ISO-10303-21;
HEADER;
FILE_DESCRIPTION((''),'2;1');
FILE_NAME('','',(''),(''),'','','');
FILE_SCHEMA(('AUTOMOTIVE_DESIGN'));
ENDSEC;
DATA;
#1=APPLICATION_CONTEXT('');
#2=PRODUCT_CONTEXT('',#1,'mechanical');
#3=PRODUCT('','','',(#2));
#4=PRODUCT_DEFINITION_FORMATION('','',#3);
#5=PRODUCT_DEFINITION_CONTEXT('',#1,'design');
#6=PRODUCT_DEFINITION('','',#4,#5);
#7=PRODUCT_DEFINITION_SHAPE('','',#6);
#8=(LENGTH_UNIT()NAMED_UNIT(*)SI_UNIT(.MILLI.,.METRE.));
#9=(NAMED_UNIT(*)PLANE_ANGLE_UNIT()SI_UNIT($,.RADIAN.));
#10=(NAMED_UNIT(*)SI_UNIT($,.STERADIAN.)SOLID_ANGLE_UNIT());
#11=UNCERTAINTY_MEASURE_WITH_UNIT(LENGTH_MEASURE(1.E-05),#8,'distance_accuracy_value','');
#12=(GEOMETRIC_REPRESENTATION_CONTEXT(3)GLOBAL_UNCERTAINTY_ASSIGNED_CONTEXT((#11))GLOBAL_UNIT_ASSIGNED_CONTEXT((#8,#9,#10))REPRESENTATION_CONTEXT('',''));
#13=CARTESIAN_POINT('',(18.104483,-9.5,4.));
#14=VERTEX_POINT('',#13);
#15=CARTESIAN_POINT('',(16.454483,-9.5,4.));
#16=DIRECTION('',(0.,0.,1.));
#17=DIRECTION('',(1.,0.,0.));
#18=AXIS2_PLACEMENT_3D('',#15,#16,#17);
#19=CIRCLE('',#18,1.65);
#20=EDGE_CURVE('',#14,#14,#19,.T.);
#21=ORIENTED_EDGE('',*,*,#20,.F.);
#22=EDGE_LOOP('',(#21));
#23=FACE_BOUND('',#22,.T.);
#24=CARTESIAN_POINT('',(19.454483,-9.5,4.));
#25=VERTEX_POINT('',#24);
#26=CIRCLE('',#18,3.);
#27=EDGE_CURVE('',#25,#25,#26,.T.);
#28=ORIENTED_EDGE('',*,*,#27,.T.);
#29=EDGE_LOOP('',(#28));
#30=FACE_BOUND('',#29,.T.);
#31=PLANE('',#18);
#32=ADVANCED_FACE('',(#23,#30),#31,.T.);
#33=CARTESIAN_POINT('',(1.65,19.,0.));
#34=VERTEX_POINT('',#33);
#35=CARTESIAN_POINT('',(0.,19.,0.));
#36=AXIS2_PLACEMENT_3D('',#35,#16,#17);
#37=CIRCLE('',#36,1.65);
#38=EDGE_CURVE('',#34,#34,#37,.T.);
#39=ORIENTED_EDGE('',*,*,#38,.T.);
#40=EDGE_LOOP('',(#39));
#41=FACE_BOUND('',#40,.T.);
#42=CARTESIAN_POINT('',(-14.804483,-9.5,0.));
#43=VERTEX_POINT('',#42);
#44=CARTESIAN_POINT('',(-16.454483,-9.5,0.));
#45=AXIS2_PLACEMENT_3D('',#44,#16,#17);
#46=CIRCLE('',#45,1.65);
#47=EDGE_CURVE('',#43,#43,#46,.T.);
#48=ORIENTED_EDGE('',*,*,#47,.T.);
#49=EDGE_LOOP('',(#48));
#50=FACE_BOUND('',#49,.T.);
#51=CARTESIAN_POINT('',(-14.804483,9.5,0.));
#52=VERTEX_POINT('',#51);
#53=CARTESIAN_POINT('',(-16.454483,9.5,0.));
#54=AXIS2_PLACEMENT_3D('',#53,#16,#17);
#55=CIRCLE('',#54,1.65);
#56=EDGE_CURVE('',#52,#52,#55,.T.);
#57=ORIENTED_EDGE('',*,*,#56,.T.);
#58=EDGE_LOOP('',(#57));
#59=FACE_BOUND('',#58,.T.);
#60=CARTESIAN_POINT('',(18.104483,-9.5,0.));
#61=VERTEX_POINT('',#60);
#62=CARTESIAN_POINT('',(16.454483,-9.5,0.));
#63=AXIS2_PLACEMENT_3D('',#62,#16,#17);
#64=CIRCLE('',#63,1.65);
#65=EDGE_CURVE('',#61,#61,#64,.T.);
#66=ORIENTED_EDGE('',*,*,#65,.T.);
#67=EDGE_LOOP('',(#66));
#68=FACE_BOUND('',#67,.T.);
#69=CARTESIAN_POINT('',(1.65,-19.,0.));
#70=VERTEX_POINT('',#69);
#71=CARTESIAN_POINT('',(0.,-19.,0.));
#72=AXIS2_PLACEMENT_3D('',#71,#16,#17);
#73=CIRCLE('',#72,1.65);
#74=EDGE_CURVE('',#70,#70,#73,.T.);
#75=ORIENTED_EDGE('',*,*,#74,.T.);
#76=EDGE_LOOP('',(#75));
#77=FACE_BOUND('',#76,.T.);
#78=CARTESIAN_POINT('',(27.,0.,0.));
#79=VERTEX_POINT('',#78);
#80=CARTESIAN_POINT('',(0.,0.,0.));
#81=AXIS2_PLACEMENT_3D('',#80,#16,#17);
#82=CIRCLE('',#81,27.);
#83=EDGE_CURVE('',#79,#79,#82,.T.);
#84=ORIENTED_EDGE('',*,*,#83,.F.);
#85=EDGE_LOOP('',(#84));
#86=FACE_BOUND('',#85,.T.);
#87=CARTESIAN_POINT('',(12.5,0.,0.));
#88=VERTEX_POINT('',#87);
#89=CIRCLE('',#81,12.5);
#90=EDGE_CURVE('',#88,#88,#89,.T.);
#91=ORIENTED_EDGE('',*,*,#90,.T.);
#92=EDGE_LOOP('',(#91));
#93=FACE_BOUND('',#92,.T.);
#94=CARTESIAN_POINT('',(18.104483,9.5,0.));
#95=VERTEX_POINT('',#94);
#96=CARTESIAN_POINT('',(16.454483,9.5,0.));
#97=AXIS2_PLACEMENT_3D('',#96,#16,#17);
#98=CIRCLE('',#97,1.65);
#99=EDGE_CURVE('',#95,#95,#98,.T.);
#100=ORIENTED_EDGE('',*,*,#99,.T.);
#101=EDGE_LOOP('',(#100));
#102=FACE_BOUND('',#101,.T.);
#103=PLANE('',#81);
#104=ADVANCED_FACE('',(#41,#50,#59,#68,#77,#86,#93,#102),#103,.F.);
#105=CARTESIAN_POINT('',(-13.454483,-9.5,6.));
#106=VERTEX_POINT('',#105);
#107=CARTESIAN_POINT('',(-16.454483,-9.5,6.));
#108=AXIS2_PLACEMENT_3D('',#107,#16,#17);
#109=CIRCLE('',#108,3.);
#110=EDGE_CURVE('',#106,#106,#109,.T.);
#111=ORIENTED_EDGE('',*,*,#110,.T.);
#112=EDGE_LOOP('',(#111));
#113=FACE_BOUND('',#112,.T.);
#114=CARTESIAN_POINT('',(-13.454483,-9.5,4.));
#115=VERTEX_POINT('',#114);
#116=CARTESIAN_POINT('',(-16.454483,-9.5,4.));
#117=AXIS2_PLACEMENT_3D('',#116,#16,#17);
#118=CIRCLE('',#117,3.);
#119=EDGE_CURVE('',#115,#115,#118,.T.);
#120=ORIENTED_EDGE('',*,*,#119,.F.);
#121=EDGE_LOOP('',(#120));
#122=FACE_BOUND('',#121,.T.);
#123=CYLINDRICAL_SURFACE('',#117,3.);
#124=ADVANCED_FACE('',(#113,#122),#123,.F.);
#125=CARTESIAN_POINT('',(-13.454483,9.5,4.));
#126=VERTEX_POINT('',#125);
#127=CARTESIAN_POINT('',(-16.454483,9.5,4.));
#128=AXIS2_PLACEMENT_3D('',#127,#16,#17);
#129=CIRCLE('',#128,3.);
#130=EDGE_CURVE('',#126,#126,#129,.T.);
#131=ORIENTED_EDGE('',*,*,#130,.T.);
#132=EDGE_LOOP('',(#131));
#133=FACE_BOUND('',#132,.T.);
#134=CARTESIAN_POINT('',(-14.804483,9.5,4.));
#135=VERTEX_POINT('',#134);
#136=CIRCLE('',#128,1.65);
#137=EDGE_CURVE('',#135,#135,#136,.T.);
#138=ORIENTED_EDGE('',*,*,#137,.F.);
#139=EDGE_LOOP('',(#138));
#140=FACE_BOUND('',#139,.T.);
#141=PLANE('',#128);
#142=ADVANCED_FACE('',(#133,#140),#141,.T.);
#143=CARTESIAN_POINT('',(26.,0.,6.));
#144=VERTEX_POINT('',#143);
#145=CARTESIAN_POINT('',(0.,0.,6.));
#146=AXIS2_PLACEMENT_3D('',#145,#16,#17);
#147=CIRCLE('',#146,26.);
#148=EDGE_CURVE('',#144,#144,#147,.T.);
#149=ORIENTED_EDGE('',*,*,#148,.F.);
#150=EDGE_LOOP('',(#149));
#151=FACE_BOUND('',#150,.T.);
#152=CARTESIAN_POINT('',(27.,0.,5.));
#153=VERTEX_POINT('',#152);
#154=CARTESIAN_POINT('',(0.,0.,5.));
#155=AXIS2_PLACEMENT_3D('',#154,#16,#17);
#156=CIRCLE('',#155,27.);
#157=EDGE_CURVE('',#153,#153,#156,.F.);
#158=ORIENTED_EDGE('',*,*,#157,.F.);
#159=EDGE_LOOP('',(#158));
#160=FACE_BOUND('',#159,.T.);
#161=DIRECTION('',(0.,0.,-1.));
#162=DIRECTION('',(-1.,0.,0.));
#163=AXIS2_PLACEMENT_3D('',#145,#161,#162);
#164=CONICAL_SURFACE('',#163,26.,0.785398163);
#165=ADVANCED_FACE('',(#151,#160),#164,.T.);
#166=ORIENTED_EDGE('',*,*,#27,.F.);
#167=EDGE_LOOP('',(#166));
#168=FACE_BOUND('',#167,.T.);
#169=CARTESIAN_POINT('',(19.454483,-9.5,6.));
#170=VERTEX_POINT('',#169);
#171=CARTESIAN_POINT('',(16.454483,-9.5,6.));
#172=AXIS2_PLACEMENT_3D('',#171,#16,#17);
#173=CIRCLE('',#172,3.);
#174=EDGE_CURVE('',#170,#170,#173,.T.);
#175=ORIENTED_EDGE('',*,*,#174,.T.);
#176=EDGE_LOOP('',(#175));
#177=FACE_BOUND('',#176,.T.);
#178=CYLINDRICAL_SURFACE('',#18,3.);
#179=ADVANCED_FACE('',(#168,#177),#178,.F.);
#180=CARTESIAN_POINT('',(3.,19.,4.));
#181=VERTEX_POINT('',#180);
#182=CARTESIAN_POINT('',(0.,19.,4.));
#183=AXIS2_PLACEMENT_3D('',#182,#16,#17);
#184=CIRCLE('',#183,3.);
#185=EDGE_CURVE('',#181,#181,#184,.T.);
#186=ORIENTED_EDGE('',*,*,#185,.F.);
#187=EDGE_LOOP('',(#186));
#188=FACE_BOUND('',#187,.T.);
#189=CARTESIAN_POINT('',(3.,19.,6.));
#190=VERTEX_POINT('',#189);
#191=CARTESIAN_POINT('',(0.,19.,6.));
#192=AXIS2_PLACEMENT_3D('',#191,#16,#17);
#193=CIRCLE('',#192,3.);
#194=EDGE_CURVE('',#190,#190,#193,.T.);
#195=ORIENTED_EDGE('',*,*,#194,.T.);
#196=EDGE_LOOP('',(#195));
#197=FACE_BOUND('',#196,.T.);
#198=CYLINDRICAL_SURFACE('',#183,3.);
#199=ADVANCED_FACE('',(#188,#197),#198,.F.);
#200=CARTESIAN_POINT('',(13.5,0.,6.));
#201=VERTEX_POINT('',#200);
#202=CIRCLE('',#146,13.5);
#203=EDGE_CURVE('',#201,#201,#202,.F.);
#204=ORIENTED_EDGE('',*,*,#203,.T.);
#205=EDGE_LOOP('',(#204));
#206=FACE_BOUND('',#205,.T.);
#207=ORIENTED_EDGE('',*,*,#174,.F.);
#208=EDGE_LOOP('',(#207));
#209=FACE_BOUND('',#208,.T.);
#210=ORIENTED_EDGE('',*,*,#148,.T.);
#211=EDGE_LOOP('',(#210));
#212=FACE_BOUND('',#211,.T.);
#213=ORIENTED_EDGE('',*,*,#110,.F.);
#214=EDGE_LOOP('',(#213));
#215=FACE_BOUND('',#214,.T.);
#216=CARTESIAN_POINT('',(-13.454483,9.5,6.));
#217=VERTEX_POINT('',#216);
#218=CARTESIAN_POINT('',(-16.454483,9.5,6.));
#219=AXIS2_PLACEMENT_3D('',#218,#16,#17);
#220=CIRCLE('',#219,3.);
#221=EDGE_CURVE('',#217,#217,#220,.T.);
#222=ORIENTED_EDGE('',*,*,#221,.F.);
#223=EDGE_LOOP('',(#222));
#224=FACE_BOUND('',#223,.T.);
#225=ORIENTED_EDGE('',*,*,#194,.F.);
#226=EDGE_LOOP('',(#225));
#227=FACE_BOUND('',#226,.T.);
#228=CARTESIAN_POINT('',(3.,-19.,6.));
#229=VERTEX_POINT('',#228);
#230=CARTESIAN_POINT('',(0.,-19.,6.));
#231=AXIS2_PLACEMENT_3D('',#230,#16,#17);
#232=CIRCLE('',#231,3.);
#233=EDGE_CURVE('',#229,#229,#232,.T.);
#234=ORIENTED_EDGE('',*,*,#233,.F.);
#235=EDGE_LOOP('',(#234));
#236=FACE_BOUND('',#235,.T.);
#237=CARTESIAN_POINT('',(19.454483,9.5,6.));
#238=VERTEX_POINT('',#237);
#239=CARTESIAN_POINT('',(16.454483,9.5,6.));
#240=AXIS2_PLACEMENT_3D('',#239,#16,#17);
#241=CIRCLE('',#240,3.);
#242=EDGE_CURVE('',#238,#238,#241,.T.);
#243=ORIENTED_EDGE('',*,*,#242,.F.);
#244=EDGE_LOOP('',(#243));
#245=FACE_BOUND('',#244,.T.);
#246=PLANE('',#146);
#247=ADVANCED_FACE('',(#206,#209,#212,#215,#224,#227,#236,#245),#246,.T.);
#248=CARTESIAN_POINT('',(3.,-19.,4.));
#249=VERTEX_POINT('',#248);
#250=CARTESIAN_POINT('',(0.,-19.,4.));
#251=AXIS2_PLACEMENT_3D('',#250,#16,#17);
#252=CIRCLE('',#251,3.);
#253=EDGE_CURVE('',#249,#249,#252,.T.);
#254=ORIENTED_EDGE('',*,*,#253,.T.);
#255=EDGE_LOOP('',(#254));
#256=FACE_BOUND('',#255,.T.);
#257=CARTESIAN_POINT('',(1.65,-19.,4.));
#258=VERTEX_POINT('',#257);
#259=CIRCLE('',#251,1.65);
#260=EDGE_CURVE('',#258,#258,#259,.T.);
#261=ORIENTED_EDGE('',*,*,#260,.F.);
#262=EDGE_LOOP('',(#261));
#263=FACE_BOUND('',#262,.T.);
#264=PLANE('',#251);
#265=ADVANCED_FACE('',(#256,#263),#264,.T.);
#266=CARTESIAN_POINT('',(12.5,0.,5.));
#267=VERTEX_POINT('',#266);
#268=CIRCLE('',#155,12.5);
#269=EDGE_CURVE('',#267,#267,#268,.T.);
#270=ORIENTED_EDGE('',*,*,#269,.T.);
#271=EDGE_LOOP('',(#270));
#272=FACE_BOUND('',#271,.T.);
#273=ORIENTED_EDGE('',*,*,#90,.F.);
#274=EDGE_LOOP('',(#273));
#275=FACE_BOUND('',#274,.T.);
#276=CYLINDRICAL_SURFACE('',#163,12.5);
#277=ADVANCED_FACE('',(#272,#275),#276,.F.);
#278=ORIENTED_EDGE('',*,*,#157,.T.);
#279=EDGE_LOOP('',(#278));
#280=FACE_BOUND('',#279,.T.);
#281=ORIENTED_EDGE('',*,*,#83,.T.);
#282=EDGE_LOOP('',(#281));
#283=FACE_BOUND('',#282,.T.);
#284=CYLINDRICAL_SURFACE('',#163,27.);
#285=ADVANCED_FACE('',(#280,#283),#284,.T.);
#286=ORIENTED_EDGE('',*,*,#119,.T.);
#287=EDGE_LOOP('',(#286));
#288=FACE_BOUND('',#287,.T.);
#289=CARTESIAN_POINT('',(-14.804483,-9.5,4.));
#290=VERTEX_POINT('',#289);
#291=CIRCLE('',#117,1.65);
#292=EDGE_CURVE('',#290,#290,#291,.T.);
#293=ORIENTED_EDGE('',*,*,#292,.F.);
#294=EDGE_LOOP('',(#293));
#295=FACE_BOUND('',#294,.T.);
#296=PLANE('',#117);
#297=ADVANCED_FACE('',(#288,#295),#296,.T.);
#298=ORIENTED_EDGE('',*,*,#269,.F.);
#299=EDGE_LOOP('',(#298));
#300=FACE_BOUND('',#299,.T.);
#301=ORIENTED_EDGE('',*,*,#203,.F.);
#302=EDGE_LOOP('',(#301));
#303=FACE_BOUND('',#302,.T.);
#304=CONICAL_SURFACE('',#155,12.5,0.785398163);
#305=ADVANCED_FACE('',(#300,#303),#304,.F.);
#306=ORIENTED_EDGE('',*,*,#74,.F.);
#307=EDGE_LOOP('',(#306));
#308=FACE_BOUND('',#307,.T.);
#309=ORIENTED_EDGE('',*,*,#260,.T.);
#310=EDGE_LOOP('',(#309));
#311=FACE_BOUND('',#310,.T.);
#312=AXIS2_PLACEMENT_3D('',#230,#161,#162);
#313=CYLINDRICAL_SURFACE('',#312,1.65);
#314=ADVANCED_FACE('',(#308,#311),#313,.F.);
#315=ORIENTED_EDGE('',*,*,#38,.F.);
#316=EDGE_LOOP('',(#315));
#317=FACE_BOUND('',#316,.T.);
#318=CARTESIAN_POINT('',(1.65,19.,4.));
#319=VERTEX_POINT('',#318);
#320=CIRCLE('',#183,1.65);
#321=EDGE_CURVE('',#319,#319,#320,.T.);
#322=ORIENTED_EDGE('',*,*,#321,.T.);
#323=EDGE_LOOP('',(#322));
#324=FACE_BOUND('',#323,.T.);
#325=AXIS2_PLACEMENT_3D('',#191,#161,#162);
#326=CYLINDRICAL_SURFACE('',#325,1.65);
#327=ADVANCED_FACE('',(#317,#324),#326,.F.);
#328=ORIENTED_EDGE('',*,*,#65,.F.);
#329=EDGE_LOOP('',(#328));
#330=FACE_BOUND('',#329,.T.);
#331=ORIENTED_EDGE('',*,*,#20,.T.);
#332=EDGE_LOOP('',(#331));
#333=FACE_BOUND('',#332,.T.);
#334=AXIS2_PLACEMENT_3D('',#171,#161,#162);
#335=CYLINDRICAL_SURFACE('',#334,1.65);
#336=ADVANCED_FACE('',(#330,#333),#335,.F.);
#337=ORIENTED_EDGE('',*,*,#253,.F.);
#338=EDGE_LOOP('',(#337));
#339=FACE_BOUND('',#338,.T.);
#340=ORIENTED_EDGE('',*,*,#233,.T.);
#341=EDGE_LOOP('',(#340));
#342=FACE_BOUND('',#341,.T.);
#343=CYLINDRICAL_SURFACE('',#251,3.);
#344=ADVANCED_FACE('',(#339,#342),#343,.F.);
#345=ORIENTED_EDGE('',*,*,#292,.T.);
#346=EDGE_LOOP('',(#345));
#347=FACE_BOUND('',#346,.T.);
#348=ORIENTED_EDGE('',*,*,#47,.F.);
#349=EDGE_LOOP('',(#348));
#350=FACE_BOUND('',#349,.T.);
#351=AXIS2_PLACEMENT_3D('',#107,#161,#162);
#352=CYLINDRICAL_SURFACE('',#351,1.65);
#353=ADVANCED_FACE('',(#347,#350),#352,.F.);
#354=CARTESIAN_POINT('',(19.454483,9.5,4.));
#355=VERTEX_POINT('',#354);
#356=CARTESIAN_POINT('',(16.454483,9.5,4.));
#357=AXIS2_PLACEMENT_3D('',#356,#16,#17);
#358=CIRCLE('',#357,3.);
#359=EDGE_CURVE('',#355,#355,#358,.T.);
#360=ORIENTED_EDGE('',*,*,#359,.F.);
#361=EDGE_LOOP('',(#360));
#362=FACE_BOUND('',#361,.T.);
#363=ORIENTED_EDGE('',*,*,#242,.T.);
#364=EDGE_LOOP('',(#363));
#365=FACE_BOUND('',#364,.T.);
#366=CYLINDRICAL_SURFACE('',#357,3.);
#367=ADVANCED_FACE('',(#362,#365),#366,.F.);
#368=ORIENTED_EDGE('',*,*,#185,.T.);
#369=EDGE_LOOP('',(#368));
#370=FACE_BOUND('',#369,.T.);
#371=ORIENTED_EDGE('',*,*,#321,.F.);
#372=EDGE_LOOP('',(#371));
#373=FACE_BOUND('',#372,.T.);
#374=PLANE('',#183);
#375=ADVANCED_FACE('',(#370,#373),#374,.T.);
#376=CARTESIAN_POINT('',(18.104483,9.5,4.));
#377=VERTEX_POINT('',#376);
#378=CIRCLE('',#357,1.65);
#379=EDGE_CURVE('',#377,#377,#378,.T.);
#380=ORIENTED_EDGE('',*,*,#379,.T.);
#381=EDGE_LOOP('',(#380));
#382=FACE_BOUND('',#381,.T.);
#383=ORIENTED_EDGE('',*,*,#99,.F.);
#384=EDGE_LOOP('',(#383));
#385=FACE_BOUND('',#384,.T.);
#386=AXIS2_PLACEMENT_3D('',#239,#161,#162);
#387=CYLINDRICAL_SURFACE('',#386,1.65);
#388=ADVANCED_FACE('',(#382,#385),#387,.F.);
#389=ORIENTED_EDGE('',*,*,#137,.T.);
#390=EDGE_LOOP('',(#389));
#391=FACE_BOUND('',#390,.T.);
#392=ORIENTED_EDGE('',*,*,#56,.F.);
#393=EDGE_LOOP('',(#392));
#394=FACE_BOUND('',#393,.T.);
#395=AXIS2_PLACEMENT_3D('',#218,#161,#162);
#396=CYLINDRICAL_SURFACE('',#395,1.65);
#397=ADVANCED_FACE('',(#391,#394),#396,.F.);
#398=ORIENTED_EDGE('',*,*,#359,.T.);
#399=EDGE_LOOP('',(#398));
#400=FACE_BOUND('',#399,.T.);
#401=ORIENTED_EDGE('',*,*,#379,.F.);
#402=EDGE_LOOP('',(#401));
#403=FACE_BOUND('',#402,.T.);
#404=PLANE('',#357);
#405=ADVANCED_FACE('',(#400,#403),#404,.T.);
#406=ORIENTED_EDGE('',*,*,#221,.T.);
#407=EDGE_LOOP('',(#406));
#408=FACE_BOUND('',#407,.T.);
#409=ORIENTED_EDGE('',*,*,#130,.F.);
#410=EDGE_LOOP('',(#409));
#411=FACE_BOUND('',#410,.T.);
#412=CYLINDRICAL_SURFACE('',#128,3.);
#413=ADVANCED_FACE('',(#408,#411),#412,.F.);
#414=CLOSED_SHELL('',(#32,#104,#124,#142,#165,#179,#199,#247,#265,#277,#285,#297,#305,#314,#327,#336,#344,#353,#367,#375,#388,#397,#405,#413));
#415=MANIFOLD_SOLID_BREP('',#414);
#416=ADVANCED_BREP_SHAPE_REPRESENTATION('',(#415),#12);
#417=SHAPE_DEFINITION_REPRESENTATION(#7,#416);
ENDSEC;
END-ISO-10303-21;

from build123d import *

# Parameters (mm, degrees)
SKETCH1_R           = 27
SKETCH1_R_2         = 1.65
SKETCH1_R_3         = 12.5
BOSS_EXTRUDE1_DEPTH = 6
SKETCH2_R           = 3
CUT_EXTRUDE1_DEPTH  = 2
CHAMFER1_SIZE       = 1


with BuildPart() as part:
    # Sketch1 → Boss-Extrude1 (new body)
    with BuildSketch(Plane.XY):
        Circle(SKETCH1_R)
        with Locations((0, 19)):
            Circle(SKETCH1_R_2, mode=Mode.SUBTRACT)
        with Locations((16.454482672, 9.5)):
            Circle(SKETCH1_R_2, mode=Mode.SUBTRACT)
        with Locations((16.454482672, -9.5)):
            Circle(SKETCH1_R_2, mode=Mode.SUBTRACT)
        with Locations((0, -19)):
            Circle(SKETCH1_R_2, mode=Mode.SUBTRACT)
        with Locations((-16.454482672, -9.5)):
            Circle(SKETCH1_R_2, mode=Mode.SUBTRACT)
        with Locations((-16.454482672, 9.5)):
            Circle(SKETCH1_R_2, mode=Mode.SUBTRACT)
        Circle(SKETCH1_R_3, mode=Mode.SUBTRACT)
    extrude(amount=BOSS_EXTRUDE1_DEPTH)

    # Sketch2 → Cut-Extrude1 (cut)
    with BuildSketch(Plane.XY.offset(6)):
        with Locations((0, 19)):
            Circle(SKETCH2_R)
        with Locations((16.454482672, 9.5)):
            Circle(SKETCH2_R)
        with Locations((16.454482672, -9.5)):
            Circle(SKETCH2_R)
        with Locations((0, -19)):
            Circle(SKETCH2_R)
        with Locations((-16.454482672, -9.5)):
            Circle(SKETCH2_R)
        with Locations((-16.454482672, 9.5)):
            Circle(SKETCH2_R)
    extrude(amount=-CUT_EXTRUDE1_DEPTH, mode=Mode.SUBTRACT)

    # Chamfer1
    chamfer1_edges = [part.edges().sort_by_distance(p)[0] for p in [
        (-27, 0, 6),
        (-12.5, 0, 6),
    ]]
    chamfer(chamfer1_edges, length=CHAMFER1_SIZE)


solid = part.part
